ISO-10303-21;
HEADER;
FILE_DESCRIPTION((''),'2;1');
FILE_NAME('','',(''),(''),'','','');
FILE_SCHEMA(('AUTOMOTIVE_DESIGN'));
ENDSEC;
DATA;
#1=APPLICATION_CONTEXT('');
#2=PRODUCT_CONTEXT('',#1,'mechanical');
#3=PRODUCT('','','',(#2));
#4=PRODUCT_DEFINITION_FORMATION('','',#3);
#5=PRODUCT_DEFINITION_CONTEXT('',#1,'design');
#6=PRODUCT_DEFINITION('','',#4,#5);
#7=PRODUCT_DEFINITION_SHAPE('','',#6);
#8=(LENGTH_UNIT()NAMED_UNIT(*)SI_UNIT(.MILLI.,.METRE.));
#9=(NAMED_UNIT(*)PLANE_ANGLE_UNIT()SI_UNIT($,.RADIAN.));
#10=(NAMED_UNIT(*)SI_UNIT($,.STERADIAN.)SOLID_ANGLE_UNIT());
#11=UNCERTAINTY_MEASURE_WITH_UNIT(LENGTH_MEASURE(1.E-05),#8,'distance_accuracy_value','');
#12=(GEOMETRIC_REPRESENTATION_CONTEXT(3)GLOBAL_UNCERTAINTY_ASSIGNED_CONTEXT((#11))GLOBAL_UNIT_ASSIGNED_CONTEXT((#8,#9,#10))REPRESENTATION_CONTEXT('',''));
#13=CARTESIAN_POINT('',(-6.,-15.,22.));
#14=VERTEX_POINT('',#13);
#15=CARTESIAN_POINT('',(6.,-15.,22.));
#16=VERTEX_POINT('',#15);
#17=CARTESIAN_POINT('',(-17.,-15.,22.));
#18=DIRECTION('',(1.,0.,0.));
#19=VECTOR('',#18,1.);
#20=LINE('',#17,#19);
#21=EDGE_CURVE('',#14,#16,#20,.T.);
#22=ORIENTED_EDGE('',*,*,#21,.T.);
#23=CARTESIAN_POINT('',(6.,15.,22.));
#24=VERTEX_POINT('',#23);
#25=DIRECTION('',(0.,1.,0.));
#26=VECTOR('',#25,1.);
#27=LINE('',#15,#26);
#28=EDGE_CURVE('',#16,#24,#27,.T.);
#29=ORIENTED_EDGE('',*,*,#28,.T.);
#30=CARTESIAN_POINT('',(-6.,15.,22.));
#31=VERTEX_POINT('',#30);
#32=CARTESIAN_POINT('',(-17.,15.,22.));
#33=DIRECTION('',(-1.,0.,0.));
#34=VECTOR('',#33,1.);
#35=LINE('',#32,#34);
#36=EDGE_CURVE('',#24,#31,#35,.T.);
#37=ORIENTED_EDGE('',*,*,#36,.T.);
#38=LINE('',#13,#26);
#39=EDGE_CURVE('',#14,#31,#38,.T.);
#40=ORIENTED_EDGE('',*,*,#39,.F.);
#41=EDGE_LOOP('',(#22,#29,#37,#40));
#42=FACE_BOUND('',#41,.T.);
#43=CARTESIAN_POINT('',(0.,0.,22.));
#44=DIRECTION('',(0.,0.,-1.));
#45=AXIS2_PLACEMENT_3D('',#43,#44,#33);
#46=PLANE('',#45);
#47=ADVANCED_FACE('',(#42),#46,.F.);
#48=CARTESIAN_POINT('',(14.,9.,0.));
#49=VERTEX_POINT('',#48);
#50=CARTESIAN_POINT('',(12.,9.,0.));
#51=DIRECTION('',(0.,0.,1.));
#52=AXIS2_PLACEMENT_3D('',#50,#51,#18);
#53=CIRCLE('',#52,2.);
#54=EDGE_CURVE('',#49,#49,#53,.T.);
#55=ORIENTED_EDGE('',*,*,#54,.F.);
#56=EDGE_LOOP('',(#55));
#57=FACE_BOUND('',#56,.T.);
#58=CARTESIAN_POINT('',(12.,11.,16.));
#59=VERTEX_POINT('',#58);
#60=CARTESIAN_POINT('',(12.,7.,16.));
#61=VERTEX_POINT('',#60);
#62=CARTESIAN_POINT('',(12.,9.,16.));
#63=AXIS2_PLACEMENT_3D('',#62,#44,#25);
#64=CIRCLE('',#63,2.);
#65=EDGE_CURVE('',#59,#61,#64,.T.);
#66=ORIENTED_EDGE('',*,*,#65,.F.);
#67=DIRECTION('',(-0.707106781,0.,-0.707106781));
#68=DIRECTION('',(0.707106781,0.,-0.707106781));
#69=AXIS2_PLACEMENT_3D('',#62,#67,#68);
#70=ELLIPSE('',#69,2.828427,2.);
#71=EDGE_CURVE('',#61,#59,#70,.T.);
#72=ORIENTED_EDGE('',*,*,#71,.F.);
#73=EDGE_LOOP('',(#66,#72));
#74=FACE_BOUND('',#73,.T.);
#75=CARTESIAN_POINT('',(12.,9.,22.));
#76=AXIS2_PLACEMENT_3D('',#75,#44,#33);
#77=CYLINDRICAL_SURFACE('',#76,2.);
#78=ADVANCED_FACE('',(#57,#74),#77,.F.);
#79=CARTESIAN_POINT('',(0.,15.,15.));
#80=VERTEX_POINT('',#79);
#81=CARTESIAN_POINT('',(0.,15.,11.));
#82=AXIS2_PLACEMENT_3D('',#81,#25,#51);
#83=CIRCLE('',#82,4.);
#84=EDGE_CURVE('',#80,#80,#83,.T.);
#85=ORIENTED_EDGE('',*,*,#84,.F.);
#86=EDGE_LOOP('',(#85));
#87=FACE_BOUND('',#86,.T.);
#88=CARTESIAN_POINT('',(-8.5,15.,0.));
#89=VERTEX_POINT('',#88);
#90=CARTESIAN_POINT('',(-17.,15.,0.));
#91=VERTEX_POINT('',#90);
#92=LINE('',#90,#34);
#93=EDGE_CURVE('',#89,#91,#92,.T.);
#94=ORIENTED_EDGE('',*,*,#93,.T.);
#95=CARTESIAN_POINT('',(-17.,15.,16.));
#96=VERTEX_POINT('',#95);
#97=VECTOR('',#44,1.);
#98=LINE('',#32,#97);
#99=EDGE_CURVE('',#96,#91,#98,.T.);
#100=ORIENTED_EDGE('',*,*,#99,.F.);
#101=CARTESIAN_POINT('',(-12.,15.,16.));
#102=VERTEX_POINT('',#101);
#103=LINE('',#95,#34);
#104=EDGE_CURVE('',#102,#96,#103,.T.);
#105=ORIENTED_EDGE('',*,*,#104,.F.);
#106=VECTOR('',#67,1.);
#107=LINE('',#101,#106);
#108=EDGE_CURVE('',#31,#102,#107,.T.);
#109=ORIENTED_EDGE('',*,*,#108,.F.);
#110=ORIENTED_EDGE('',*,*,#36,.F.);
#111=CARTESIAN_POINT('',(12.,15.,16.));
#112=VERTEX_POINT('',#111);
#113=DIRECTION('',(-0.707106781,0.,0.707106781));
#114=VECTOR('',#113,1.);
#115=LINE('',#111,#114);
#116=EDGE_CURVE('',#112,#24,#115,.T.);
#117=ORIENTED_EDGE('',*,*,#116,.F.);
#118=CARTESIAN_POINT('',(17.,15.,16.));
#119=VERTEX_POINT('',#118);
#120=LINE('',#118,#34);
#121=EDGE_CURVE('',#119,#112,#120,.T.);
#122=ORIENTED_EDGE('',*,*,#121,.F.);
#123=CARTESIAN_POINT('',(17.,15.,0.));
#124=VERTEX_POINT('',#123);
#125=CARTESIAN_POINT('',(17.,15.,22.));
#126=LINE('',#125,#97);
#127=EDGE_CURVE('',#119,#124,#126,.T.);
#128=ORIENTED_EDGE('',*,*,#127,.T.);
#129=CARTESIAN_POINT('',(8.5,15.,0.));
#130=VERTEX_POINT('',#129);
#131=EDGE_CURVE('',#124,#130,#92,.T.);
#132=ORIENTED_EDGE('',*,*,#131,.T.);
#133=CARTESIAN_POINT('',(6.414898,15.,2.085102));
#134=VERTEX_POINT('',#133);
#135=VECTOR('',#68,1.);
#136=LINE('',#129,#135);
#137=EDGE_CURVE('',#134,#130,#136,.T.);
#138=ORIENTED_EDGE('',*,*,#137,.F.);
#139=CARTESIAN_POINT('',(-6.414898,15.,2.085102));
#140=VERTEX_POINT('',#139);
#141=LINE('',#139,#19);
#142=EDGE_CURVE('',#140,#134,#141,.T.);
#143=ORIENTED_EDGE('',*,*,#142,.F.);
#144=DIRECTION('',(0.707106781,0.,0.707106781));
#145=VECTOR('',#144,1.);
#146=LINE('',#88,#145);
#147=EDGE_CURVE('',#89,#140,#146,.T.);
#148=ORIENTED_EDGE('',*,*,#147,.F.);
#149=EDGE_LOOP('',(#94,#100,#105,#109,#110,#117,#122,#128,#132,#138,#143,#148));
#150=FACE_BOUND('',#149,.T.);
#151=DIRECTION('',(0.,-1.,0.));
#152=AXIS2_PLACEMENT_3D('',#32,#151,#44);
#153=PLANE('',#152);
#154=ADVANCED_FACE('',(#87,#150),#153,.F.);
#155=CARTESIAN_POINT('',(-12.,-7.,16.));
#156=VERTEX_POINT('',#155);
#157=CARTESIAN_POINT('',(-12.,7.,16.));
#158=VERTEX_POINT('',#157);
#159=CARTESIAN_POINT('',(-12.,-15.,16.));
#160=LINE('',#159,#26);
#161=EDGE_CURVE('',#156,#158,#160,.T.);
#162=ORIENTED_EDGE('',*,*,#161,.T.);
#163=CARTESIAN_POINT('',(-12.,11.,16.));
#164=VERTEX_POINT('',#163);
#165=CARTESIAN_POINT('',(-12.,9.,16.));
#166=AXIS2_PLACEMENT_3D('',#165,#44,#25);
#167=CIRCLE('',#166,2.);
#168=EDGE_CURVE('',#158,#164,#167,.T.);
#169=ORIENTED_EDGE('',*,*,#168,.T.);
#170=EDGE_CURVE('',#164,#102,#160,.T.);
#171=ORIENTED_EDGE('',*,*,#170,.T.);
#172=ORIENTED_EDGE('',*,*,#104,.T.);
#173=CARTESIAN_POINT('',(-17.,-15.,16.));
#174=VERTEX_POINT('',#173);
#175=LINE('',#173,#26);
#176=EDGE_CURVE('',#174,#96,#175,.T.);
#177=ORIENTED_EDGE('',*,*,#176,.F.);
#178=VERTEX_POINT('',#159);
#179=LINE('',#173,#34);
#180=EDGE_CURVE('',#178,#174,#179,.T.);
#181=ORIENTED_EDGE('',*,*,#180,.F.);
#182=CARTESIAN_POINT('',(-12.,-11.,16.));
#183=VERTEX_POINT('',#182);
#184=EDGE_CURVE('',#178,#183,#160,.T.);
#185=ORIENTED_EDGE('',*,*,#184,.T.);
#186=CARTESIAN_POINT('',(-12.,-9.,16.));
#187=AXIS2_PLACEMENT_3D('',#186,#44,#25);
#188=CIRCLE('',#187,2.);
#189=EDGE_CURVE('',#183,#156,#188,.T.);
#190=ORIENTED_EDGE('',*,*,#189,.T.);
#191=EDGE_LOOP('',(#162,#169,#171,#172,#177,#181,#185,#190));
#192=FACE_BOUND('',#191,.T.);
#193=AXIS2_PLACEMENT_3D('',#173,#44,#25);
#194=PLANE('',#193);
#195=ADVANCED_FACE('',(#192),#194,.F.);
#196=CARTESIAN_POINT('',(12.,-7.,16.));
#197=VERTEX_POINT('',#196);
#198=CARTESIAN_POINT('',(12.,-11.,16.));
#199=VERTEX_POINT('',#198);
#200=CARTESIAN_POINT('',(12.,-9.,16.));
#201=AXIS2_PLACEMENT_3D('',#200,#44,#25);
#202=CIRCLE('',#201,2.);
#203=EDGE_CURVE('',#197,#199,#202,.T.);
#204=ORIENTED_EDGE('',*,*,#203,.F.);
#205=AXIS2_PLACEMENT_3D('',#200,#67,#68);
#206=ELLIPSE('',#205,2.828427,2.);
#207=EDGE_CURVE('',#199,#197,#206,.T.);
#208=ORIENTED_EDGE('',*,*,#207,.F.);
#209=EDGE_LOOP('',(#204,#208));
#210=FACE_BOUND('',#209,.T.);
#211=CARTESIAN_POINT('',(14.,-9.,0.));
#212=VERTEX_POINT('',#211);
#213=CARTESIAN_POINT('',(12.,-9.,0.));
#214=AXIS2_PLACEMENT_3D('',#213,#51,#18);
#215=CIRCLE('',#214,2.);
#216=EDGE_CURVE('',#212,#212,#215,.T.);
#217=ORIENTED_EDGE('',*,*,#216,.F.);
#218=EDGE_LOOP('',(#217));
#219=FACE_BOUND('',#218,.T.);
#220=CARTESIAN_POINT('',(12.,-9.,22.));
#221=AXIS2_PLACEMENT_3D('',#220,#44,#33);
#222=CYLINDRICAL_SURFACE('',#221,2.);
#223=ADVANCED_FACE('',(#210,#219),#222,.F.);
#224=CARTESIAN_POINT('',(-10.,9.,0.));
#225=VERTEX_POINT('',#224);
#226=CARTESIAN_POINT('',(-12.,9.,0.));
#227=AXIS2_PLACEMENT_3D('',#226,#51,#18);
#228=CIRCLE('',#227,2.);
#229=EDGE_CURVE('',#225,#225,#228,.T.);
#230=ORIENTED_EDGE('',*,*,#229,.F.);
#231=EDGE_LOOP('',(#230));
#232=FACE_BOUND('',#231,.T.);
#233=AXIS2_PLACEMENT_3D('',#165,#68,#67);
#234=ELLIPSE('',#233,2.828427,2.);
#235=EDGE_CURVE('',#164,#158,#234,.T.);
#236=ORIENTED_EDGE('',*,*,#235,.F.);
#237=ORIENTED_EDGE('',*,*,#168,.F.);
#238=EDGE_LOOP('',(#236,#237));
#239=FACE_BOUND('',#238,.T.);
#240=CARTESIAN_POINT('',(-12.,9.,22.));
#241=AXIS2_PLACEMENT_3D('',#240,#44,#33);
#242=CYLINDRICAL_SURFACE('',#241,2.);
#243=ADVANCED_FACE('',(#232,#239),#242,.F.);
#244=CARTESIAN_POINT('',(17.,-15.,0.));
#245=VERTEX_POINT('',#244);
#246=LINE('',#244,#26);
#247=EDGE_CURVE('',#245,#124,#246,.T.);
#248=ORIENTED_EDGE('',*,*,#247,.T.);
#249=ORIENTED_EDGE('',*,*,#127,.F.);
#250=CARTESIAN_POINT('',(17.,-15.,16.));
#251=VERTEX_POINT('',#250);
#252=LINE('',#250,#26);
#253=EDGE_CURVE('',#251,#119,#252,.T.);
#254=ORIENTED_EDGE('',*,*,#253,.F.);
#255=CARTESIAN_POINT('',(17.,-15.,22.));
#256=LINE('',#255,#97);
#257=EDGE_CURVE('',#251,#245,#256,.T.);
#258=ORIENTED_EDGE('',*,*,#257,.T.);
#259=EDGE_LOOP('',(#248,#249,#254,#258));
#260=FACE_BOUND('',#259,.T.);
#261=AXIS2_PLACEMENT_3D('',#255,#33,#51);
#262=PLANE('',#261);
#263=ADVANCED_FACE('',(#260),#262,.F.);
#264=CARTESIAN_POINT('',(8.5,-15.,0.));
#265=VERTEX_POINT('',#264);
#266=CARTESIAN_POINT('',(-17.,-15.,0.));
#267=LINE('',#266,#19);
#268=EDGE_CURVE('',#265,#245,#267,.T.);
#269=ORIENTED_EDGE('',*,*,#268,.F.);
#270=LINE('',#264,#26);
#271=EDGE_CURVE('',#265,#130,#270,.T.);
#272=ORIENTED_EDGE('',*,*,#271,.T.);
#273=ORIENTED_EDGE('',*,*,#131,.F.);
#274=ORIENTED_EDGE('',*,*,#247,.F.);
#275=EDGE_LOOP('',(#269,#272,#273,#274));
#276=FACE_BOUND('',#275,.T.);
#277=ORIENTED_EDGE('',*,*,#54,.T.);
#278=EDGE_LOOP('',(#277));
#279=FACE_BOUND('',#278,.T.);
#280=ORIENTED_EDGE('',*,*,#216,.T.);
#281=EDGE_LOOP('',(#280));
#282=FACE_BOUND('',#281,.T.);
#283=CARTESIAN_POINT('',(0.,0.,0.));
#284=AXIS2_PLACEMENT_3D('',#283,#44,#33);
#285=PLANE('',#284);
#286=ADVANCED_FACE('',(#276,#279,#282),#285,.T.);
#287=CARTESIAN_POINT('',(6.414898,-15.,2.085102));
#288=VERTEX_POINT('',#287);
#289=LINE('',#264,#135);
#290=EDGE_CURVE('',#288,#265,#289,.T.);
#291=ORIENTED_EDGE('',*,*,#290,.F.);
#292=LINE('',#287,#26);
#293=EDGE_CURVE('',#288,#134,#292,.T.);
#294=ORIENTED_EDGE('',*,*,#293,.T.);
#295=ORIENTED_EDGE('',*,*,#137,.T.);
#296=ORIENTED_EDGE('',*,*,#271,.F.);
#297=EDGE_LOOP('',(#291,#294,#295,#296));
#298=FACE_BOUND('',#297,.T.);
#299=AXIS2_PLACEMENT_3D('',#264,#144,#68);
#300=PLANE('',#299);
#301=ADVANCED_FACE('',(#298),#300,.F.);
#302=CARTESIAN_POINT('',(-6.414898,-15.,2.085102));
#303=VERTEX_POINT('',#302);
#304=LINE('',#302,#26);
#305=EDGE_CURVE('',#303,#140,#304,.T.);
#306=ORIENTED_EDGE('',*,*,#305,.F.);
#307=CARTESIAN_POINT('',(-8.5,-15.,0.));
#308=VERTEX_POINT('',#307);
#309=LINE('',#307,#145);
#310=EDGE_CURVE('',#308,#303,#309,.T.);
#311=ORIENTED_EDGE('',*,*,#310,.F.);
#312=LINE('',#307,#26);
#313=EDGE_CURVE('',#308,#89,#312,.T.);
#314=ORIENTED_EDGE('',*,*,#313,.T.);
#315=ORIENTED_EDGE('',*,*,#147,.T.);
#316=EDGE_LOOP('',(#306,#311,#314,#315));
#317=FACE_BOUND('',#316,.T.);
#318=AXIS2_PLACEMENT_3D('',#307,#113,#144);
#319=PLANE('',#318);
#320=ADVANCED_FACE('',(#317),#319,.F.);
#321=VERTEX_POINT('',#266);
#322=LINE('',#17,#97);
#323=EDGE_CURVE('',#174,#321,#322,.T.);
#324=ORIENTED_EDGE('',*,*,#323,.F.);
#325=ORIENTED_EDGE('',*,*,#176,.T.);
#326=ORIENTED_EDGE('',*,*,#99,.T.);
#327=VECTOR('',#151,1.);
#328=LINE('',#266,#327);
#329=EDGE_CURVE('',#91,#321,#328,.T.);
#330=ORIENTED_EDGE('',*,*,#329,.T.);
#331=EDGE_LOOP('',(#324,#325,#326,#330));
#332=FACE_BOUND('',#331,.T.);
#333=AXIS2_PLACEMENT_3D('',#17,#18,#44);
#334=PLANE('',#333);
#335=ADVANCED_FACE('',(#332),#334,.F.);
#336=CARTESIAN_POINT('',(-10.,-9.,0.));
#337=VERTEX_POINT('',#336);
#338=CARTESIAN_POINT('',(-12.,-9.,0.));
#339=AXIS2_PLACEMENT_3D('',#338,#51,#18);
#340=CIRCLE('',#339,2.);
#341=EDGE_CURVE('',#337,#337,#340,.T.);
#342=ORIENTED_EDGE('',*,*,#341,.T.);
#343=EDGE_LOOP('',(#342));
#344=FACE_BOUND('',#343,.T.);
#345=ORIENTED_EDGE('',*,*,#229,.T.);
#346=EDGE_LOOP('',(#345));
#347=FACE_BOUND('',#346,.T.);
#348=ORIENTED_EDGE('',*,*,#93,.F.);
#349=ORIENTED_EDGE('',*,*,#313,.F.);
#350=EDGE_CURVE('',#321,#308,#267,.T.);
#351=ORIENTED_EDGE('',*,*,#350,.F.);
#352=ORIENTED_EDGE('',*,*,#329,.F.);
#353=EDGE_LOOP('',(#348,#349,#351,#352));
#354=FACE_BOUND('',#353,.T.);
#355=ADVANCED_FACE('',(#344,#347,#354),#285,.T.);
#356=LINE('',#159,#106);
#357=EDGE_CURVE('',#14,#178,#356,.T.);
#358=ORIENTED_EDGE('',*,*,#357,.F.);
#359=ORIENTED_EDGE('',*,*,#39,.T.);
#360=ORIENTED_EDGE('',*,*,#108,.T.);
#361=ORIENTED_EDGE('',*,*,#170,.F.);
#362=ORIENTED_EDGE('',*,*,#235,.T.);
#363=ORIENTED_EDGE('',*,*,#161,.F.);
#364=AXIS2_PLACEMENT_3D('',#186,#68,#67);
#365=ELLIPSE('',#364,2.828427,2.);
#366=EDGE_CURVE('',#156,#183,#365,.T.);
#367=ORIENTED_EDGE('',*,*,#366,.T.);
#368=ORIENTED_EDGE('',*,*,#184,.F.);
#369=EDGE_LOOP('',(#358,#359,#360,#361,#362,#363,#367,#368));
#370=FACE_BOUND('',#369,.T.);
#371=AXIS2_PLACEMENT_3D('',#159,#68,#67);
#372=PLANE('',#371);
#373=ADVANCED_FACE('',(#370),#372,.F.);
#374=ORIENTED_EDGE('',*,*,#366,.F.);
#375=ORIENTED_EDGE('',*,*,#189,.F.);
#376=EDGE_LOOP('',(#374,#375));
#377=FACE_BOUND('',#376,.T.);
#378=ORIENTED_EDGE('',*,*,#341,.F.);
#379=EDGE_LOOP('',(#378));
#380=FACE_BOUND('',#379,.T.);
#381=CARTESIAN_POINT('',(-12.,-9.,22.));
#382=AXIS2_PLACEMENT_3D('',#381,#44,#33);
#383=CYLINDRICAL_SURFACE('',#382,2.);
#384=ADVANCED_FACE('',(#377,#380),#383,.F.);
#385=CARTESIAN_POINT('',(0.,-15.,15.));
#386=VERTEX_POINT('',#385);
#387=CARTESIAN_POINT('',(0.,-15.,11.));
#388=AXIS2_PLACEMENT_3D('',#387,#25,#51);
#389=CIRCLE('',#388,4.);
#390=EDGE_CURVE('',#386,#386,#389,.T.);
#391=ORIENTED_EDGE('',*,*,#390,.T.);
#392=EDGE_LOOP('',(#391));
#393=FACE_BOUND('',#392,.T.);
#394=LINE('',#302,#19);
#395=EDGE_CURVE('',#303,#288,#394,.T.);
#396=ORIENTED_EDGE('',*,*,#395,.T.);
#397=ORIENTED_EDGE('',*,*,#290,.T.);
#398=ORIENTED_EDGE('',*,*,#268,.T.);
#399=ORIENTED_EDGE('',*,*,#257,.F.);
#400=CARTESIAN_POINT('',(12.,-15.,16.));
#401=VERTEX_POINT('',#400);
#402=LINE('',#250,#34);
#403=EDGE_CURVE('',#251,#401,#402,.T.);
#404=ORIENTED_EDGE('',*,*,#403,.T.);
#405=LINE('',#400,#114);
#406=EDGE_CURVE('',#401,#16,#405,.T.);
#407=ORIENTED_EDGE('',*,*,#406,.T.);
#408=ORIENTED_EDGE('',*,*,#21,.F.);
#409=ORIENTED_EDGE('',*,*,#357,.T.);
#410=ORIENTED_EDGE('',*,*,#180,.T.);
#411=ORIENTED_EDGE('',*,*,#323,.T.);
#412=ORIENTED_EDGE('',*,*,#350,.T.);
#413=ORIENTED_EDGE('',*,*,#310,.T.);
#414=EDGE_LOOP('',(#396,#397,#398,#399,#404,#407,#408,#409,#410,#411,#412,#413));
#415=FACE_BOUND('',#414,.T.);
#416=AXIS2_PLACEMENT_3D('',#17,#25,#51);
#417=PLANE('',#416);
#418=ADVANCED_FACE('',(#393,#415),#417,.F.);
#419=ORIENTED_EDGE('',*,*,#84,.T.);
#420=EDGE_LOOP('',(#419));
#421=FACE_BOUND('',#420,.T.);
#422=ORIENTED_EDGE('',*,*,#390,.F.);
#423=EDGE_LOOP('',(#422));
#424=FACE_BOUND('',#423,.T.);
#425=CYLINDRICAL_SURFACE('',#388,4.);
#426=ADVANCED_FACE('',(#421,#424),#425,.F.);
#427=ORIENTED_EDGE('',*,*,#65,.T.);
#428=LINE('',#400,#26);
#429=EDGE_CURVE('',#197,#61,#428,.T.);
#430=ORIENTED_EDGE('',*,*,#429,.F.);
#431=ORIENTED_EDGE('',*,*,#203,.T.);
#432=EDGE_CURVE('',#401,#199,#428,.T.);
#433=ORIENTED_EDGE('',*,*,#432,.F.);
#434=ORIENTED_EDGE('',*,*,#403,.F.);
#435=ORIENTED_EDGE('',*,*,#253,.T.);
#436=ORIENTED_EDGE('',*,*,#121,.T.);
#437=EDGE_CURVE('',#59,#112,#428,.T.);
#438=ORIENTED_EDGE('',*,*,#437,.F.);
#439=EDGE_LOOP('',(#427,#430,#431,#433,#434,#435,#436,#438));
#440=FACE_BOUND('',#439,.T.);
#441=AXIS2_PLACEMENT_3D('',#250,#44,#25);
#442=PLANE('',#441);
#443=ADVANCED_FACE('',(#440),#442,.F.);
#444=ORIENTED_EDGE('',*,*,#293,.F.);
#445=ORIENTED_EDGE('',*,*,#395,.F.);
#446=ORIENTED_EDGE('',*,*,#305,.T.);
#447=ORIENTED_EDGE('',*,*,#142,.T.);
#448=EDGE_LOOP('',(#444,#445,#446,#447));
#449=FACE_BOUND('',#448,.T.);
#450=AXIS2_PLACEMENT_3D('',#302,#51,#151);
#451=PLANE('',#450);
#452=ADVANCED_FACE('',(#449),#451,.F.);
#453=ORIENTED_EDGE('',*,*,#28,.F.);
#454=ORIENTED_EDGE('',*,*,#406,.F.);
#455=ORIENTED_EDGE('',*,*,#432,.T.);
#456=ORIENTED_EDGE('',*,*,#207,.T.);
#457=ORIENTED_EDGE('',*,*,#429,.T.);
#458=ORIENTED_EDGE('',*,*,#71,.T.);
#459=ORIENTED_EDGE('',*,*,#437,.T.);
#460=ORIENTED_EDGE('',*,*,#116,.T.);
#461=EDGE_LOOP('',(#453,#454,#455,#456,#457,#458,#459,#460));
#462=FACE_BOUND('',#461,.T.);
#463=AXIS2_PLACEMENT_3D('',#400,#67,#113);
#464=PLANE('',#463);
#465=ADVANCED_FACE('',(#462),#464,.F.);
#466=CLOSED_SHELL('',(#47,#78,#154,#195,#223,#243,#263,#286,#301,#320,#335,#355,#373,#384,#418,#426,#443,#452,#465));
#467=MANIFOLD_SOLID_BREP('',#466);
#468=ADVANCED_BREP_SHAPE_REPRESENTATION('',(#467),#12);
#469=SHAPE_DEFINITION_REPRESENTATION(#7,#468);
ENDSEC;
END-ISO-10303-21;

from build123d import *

# Parameters (mm, degrees)
SKETCH1_W           = 34
SKETCH1_H           = 30
SKETCH1_R           = 2
BOSS_EXTRUDE1_DEPTH = 22
SKETCH3_R           = 4
CUT_EXTRUDE1_DEPTH  = 30


with BuildPart() as part:
    # Sketch1 → Boss-Extrude1 (new body)
    with BuildSketch(Plane.XY):
        Rectangle(SKETCH1_W, SKETCH1_H)
        with Locations((-12, 9)):
            Circle(SKETCH1_R, mode=Mode.SUBTRACT)
        with Locations((-12, -9)):
            Circle(SKETCH1_R, mode=Mode.SUBTRACT)
        with Locations((12, 9)):
            Circle(SKETCH1_R, mode=Mode.SUBTRACT)
        with Locations((12, -9)):
            Circle(SKETCH1_R, mode=Mode.SUBTRACT)
    extrude(amount=BOSS_EXTRUDE1_DEPTH)

    # Sketch3 → Cut-Extrude1 (cut)
    with BuildSketch(Plane(origin=(0, 15, 0), x_dir=(1, 0, 0), z_dir=(0, 1, 0))):
        with Locations(Location((0, -11, 0), (0, 0, 270))):
            Circle(SKETCH3_R)
        Polygon((-17, -16), (-12, -16), (-6, -22), (-17, -22), align=None)
        Polygon((17, -22), (6, -22), (12, -16), (17, -16), align=None)
        Polygon((-8.5, 0), (-6.414897811, -2.085102189), (6.414897811, -2.085102189), (8.5, 0), align=None)
    extrude(amount=-CUT_EXTRUDE1_DEPTH, mode=Mode.SUBTRACT)


solid = part.part
